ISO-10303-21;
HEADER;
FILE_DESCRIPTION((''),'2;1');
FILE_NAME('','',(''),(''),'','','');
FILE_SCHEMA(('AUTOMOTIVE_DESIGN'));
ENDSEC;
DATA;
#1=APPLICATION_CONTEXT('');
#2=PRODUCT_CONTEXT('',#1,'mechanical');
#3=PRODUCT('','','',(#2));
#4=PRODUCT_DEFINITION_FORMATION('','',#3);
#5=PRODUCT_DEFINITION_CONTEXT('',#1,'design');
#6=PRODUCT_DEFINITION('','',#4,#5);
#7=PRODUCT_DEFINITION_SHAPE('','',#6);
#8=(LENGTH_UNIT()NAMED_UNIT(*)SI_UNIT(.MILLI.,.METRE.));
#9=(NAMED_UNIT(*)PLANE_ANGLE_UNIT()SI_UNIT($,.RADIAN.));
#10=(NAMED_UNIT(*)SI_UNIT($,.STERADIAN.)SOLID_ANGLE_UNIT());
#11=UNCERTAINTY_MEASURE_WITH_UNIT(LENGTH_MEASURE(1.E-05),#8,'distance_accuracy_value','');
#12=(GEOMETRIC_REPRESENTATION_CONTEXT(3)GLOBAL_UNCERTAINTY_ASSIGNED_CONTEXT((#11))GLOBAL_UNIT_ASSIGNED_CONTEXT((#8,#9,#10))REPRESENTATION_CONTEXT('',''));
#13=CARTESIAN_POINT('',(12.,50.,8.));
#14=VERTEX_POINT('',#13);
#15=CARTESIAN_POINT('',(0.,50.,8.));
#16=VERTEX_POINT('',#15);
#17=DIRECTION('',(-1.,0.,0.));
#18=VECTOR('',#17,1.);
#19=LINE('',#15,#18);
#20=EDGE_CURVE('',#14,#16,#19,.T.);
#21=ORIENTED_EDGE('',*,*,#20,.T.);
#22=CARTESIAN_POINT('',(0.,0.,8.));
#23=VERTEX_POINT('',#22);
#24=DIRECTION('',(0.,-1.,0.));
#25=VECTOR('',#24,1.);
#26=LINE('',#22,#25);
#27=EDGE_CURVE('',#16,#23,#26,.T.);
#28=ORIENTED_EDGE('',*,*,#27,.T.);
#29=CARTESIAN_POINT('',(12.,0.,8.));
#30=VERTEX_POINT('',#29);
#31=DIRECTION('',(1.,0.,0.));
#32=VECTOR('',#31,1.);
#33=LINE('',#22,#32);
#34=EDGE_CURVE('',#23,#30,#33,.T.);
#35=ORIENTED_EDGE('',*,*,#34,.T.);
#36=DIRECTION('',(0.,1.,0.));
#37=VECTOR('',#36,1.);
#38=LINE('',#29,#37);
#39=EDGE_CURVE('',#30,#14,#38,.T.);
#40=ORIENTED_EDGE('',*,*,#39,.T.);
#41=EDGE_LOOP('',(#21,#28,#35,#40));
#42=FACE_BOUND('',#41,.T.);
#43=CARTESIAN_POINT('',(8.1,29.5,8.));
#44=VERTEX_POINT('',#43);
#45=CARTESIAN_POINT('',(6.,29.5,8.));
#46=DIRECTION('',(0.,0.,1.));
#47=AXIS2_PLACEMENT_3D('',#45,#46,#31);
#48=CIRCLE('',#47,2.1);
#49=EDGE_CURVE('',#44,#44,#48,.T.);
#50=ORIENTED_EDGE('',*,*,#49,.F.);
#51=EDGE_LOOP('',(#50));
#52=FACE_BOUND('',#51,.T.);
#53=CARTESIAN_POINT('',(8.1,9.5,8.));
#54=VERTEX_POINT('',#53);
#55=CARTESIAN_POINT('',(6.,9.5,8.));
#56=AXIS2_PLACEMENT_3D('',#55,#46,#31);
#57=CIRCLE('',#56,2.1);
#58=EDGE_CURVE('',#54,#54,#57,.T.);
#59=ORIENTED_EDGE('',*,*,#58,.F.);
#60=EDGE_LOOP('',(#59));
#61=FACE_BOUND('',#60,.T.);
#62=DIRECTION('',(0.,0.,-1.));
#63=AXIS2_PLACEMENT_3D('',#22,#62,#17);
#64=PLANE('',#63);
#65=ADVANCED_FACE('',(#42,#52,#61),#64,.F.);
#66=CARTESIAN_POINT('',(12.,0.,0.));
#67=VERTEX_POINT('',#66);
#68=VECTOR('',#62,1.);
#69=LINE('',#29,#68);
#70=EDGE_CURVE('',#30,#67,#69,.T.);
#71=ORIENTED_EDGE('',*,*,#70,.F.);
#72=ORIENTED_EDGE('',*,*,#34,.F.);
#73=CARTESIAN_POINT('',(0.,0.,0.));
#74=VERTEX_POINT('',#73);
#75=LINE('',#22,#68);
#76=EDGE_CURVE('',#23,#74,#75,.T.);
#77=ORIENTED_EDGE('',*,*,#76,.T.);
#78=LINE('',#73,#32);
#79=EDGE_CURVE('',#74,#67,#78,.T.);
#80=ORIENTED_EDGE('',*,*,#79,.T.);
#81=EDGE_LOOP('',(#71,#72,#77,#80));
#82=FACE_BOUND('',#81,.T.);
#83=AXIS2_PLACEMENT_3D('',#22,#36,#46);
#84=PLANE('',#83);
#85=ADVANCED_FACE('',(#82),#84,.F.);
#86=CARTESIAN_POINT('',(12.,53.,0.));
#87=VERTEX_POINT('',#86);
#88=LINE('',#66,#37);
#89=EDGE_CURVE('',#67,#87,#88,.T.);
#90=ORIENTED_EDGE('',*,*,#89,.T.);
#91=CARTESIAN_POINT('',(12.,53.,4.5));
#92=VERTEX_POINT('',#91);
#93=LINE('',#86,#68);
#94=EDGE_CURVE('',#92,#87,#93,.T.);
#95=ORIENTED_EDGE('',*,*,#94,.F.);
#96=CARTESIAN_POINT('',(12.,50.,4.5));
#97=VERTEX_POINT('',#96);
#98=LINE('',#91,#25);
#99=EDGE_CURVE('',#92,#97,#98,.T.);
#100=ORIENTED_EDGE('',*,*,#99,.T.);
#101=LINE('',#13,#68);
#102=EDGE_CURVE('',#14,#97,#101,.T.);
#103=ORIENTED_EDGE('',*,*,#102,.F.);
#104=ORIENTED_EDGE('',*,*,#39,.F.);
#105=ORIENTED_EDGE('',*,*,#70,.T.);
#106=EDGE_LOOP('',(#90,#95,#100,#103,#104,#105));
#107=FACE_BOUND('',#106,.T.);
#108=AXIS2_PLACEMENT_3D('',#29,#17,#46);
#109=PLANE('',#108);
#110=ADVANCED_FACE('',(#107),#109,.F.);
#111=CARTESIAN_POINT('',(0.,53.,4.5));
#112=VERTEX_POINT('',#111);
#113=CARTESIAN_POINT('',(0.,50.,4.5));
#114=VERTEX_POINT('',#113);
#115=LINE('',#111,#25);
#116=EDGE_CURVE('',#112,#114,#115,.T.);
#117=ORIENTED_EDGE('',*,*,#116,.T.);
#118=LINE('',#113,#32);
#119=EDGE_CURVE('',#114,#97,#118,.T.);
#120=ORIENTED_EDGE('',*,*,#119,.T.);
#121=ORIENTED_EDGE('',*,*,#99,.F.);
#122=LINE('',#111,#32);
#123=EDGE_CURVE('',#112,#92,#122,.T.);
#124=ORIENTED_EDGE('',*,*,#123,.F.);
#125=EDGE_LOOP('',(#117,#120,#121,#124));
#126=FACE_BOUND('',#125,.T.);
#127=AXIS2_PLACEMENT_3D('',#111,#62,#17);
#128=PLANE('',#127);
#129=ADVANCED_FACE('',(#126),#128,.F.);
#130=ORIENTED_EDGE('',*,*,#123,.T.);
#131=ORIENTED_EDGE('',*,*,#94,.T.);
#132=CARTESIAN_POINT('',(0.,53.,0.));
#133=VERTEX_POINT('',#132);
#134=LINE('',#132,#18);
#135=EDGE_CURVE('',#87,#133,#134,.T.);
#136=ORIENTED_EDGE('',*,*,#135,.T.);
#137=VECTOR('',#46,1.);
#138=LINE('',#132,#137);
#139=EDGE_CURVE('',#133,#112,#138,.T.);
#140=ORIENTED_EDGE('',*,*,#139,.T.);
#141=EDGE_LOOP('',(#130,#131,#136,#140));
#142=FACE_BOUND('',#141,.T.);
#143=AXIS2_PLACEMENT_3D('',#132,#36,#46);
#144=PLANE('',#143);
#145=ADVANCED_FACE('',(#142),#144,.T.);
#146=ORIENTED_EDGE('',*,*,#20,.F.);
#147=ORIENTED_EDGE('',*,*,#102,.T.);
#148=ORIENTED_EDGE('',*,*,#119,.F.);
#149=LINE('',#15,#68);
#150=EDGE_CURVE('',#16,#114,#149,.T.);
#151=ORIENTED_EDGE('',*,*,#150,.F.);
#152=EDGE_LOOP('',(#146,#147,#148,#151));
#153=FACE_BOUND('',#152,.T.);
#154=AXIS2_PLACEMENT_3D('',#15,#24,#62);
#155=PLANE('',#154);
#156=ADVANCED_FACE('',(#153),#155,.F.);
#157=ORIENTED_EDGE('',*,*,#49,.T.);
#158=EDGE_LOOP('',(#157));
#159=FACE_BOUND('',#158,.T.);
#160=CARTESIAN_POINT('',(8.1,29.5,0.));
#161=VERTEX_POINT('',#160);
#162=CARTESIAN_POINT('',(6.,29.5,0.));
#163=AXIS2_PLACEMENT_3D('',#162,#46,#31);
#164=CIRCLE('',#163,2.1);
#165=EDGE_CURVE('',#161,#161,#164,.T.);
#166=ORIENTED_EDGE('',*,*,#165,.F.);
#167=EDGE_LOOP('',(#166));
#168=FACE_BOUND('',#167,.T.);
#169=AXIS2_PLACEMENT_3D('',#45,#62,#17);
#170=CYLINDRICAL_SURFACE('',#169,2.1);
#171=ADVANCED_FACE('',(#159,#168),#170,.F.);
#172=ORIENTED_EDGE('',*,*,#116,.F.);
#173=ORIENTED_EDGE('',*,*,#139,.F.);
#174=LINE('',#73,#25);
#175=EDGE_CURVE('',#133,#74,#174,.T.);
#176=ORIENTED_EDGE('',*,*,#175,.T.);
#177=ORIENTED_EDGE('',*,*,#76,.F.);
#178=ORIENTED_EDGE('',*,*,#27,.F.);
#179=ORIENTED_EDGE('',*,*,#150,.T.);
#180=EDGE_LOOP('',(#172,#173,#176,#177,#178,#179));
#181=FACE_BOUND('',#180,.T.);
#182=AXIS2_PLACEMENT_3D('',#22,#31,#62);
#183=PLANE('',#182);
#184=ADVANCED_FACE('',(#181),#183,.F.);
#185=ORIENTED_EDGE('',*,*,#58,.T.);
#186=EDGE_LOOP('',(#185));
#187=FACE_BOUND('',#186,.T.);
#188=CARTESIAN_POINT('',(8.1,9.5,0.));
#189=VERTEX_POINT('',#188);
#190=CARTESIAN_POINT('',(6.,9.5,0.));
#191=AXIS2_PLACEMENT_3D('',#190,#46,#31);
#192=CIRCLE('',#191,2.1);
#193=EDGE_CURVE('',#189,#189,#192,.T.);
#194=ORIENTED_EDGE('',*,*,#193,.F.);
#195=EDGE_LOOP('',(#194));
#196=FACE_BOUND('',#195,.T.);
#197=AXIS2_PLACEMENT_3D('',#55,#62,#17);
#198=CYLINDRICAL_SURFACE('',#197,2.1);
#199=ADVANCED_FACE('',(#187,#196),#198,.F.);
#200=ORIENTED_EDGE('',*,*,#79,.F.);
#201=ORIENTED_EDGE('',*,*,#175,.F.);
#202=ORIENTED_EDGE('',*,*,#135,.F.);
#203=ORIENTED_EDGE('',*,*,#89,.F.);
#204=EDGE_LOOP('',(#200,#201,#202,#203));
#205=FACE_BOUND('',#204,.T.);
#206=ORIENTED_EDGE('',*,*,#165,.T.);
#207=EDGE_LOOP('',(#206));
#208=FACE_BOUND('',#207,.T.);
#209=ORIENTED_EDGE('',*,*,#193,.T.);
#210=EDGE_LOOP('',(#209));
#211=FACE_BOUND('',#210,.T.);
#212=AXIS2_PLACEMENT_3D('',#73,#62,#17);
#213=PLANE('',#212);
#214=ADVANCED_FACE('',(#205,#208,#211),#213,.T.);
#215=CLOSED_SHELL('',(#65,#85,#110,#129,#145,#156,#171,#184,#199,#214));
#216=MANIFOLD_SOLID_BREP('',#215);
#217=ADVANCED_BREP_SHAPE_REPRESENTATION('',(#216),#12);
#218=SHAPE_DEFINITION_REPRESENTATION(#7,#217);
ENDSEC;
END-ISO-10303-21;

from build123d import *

# Parameters (mm, degrees)
SKETCH1_W           = 12
SKETCH1_H           = 50
SKETCH1_R           = 2.1
BOSS_EXTRUDE1_DEPTH = 8
SKETCH2_W           = 12
SKETCH2_H           = 4.5
BOSS_EXTRUDE2_DEPTH = 3


with BuildPart() as part:
    # Sketch1 → Boss-Extrude1 (new body)
    with BuildSketch(Plane.XY):
        with Locations((6, 25)):
            Rectangle(SKETCH1_W, SKETCH1_H)
        with Locations((6, 29.5)):
            Circle(SKETCH1_R, mode=Mode.SUBTRACT)
        with Locations((6, 9.5)):
            Circle(SKETCH1_R, mode=Mode.SUBTRACT)
    extrude(amount=BOSS_EXTRUDE1_DEPTH)

    # Sketch2 → Boss-Extrude2 (add)
    with BuildSketch(Plane(origin=(0, 50, 0), x_dir=(1, 0, 0), z_dir=(0, 1, 0))):
        with Locations((6, -2.25)):
            Rectangle(SKETCH2_W, SKETCH2_H)
    extrude(amount=BOSS_EXTRUDE2_DEPTH)


solid = part.part
